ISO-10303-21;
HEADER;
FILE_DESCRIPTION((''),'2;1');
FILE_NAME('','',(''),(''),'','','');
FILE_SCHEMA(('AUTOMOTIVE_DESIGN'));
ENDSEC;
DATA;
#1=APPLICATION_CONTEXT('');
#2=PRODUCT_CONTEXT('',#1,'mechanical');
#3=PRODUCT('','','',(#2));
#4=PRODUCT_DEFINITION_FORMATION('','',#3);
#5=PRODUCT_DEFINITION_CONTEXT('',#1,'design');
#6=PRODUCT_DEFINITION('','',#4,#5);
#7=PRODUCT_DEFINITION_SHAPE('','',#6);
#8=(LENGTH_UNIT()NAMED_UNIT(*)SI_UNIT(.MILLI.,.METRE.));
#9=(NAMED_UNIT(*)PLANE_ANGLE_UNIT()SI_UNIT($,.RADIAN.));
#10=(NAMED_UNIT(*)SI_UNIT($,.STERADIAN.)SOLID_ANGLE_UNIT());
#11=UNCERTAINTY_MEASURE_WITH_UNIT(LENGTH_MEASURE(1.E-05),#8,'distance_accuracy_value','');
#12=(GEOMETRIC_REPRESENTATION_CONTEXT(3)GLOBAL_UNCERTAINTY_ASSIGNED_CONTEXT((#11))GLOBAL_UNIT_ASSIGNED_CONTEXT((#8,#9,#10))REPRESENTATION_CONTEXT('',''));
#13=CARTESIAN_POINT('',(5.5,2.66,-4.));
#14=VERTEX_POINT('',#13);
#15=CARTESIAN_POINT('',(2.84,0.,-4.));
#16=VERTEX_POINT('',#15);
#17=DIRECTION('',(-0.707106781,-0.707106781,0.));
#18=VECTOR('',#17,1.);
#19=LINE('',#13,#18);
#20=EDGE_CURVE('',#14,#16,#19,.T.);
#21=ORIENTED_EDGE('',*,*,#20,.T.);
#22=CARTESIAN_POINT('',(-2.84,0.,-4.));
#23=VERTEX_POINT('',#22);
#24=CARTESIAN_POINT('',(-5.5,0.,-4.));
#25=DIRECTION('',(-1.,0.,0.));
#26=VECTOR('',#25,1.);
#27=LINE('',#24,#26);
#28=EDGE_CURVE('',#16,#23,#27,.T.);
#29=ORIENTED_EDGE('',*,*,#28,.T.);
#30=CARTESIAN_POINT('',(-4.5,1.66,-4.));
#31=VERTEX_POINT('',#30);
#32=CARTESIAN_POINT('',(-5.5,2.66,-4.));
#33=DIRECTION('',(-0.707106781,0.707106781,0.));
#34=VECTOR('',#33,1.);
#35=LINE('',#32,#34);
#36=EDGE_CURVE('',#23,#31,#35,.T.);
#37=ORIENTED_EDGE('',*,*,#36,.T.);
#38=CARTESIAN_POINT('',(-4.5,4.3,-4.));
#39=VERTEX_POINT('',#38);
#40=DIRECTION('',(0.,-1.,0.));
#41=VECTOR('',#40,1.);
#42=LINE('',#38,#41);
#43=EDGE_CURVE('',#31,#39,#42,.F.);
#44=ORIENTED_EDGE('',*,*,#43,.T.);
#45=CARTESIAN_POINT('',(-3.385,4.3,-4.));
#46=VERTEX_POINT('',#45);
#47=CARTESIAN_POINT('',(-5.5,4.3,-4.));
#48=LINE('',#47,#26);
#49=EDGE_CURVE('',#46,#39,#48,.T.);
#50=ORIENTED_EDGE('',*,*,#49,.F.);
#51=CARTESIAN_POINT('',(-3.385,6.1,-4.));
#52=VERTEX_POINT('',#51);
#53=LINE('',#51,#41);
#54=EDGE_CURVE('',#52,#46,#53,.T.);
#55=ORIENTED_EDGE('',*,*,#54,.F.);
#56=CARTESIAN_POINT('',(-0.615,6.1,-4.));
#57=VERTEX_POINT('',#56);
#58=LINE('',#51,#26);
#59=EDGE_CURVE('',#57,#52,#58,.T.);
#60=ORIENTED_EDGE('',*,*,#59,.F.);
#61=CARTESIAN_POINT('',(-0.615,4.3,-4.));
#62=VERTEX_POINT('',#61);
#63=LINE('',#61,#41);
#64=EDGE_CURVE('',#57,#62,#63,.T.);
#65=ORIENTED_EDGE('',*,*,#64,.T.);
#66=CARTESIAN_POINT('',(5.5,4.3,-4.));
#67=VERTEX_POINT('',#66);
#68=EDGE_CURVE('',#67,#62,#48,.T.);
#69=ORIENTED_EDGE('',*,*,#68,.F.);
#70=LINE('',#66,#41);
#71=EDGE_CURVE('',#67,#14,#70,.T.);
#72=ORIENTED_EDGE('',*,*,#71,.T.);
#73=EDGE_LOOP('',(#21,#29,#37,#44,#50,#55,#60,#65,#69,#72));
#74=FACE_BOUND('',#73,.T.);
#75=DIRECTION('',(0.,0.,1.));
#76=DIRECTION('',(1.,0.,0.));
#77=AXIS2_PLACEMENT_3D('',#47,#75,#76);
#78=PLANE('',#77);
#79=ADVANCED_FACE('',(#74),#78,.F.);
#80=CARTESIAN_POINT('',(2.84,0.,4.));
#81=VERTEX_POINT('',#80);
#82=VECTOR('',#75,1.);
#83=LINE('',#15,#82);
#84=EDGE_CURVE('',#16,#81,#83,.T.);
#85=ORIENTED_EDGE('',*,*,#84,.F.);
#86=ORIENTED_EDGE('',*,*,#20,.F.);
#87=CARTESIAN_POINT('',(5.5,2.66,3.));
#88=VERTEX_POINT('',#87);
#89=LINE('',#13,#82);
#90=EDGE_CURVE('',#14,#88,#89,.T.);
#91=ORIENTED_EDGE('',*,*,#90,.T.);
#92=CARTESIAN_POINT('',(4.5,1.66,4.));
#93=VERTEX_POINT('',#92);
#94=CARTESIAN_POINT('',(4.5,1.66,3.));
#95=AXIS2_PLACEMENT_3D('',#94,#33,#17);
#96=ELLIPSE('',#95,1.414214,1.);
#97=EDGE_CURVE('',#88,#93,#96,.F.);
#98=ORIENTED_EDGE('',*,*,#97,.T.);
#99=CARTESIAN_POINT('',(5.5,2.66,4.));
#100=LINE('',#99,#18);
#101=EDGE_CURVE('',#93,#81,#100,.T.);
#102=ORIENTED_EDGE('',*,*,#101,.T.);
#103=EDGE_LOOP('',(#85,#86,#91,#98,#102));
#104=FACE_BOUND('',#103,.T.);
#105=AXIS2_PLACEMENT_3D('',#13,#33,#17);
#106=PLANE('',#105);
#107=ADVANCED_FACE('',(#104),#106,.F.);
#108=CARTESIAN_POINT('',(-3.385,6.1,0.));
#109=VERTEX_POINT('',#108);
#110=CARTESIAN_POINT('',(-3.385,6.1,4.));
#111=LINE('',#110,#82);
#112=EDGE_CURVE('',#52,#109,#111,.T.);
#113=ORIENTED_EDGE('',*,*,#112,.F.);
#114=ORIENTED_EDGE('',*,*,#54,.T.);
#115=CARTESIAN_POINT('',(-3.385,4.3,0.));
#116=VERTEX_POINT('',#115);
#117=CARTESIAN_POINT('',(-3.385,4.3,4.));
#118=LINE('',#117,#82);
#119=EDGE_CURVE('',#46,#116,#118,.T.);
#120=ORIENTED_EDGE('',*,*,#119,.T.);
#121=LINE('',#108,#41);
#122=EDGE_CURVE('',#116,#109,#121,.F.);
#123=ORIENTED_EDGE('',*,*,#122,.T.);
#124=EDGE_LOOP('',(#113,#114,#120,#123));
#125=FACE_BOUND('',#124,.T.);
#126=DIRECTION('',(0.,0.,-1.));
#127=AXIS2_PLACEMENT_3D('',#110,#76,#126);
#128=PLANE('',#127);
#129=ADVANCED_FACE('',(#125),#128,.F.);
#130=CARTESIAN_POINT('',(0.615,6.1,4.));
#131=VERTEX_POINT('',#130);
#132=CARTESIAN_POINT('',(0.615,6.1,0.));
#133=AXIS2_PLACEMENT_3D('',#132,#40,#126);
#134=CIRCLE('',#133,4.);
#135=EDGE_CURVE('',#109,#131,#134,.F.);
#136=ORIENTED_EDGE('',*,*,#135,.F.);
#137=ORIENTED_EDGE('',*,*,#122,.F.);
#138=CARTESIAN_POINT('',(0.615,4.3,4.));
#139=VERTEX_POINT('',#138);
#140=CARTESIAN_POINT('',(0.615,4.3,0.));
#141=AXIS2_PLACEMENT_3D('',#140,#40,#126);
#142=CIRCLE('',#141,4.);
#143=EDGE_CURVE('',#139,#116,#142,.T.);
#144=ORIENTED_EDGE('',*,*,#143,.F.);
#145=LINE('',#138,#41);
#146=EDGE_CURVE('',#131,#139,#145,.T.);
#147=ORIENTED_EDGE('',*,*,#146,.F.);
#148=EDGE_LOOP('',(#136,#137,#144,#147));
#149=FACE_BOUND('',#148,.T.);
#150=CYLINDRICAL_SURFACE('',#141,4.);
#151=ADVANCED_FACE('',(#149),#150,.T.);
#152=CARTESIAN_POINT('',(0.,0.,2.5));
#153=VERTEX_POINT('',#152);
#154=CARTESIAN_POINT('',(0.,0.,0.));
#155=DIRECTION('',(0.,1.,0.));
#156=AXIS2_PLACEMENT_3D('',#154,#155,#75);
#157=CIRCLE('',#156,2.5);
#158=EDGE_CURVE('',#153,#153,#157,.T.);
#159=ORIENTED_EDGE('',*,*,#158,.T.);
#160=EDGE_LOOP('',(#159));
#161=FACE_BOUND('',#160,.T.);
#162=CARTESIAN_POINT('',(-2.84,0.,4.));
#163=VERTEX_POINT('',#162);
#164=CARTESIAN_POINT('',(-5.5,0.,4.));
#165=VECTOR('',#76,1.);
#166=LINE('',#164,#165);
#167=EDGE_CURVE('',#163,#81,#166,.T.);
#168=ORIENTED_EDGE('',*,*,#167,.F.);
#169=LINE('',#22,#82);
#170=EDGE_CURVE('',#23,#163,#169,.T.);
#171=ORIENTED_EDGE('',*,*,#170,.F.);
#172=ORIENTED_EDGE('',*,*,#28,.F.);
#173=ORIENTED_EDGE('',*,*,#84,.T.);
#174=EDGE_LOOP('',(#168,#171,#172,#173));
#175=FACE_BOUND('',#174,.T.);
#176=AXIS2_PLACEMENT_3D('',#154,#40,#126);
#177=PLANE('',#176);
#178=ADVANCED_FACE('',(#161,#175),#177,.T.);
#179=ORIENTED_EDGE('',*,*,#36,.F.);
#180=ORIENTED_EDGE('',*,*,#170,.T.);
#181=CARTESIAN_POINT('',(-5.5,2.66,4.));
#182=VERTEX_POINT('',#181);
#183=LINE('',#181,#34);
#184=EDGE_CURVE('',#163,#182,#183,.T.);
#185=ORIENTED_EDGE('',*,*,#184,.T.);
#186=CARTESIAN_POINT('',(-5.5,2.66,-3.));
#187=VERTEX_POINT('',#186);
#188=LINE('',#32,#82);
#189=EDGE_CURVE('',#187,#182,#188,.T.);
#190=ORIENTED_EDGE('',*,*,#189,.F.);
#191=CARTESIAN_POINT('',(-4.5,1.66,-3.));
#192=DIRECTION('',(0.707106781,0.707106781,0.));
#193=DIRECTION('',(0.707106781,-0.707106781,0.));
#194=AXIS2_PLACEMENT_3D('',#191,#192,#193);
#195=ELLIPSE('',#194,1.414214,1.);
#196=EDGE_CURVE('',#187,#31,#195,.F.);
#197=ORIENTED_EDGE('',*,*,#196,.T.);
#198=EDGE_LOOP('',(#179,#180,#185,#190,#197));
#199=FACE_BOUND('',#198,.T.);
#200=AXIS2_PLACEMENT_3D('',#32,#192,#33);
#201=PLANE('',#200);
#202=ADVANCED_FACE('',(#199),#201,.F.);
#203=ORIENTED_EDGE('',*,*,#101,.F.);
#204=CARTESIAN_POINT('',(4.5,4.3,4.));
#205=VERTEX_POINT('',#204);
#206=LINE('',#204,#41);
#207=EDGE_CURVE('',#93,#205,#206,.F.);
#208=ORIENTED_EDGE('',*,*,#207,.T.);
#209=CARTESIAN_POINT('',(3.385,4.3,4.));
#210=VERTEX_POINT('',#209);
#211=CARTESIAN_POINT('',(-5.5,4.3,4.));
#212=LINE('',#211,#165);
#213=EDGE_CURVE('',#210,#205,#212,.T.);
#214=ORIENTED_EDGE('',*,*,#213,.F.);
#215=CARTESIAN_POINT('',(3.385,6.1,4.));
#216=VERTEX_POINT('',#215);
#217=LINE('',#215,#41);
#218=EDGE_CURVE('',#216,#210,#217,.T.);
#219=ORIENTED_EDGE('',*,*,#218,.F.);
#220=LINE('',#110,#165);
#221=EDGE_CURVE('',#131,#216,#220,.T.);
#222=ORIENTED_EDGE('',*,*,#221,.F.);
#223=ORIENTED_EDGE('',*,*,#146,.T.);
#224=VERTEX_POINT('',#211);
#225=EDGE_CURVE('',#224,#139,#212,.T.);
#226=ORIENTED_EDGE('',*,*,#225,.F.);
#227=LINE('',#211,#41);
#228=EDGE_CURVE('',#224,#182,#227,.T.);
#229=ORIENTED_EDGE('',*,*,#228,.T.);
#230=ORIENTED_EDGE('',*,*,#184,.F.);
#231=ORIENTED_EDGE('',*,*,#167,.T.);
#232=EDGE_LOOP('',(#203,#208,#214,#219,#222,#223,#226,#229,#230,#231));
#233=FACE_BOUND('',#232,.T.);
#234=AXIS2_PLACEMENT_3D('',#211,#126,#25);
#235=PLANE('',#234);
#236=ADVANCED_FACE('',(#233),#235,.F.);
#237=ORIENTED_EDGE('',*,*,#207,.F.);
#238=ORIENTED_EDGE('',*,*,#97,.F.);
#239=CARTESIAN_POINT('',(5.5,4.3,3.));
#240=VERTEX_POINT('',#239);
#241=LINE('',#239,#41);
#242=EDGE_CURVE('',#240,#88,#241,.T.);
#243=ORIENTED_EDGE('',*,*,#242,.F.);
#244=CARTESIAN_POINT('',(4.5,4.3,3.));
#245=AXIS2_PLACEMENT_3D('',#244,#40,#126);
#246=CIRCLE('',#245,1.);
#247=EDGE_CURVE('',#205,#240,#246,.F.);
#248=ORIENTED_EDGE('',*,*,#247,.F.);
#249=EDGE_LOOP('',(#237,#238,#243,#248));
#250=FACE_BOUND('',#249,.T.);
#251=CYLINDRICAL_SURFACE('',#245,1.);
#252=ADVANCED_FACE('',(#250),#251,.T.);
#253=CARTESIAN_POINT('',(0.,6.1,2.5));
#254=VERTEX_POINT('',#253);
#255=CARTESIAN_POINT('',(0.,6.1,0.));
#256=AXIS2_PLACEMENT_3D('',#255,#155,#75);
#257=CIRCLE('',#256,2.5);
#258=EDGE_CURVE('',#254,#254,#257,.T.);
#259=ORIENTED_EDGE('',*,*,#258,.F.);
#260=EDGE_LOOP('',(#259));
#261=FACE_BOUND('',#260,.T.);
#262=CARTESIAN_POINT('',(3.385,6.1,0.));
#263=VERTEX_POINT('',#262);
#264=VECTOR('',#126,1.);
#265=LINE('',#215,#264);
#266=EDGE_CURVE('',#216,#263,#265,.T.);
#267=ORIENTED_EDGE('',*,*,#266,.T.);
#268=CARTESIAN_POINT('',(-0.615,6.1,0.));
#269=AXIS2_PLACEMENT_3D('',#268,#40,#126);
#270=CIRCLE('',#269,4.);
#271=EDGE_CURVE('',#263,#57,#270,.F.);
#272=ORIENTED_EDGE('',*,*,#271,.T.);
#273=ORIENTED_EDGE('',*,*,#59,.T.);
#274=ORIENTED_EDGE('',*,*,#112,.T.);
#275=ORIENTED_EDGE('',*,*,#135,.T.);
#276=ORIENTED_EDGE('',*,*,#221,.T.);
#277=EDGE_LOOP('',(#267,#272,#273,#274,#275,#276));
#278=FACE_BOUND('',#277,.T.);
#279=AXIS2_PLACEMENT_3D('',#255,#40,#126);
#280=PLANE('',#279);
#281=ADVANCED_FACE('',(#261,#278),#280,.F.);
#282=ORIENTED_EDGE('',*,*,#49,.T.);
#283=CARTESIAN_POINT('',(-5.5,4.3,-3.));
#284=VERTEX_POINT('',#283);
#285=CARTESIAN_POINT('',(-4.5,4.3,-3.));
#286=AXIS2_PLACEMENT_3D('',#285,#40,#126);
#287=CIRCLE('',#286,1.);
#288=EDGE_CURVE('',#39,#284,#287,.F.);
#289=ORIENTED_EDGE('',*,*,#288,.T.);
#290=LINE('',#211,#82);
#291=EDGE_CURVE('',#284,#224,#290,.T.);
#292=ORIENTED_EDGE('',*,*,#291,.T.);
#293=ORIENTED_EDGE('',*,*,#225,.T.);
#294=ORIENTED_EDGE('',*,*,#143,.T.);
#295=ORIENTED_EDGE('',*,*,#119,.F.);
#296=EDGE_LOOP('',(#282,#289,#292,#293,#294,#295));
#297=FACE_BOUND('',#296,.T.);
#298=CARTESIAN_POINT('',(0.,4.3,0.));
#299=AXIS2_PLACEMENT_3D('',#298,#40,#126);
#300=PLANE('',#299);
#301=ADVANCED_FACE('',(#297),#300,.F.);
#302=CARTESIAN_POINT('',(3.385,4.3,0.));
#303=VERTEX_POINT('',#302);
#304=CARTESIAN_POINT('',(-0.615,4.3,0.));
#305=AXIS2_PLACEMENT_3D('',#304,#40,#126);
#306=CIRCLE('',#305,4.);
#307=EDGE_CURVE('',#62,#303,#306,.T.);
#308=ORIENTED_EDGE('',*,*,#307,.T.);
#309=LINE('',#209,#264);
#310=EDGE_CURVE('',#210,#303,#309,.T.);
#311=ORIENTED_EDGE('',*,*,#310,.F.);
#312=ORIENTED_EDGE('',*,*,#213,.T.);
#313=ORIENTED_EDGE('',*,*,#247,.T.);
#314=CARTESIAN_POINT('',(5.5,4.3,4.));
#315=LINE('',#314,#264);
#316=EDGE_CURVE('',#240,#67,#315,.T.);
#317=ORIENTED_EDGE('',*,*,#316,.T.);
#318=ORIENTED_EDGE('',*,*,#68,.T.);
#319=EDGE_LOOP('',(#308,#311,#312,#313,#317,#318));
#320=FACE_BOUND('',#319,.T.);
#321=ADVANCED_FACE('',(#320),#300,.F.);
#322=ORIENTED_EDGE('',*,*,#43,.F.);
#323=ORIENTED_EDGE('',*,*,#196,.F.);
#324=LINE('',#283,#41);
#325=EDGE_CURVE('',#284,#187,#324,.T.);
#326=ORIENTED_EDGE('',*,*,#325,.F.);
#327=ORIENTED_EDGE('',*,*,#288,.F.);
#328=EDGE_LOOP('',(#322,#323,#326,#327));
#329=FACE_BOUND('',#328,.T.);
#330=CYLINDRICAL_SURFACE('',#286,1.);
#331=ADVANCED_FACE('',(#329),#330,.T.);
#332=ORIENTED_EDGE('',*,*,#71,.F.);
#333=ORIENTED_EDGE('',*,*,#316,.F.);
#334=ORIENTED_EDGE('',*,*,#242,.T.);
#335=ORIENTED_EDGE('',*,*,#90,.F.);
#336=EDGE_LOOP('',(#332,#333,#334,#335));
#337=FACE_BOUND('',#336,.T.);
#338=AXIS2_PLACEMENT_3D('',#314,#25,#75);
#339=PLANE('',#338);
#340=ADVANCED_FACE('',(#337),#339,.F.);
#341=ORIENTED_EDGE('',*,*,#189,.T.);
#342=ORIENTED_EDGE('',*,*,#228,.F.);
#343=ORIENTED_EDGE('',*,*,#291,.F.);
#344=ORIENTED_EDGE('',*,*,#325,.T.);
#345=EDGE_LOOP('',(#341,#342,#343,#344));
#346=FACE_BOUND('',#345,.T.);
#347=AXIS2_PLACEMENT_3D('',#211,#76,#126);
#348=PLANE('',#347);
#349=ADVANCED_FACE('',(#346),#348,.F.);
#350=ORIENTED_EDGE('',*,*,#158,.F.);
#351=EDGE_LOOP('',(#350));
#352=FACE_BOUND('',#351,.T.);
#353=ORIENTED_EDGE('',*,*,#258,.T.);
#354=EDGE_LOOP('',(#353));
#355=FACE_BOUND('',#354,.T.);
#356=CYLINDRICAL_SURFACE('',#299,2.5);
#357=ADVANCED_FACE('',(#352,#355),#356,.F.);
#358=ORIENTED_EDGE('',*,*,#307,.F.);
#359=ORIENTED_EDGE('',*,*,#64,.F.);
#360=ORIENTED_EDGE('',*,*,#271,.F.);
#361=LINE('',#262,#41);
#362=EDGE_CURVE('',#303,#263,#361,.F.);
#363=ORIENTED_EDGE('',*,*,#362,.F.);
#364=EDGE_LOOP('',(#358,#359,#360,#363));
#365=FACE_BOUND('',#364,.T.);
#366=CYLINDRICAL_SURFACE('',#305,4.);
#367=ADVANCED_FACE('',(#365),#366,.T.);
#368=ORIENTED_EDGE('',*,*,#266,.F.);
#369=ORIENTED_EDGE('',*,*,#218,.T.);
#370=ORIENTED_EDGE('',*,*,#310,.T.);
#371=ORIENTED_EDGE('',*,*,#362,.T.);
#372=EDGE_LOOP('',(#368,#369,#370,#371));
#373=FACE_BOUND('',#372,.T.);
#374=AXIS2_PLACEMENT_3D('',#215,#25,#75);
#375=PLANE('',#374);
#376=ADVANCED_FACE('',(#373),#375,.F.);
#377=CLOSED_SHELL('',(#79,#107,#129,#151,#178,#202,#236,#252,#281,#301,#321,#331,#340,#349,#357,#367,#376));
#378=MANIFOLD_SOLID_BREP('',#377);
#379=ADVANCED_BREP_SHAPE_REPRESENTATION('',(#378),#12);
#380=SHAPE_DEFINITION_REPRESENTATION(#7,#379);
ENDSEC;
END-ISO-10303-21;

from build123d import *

# Parameters (mm, degrees)
SKETCH1_W           = 11
SKETCH1_H           = 8
SKETCH1_R           = 2.5
BOSS_EXTRUDE1_DEPTH = 4.3
CUT_EXTRUDE1_DEPTH  = 9
SKETCH3_W           = 6.77
SKETCH3_H           = 8
SKETCH3_R           = 2.5
BOSS_EXTRUDE2_DEPTH = 1.8
FILLET1_R           = 4
FILLET2_R           = 1


with BuildPart() as part:
    # Sketch1 → Boss-Extrude1 (new body)
    with BuildSketch(Plane(origin=(0, 0, 0), x_dir=(1, 0, 0), z_dir=(0, 1, 0))):
        Rectangle(SKETCH1_W, SKETCH1_H)
        Circle(SKETCH1_R, mode=Mode.SUBTRACT)
    extrude(amount=BOSS_EXTRUDE1_DEPTH)

    # Sketch2 → Cut-Extrude1 (cut, through all)
    with BuildSketch(Plane.XY.offset(4)):
        Polygon((-5.5, 2.66), (-2.84, 0), (-5.5, 0), align=None)
        Polygon((5.5, 2.66), (5.5, 0), (2.84, 0), align=None)
    extrude(amount=-CUT_EXTRUDE1_DEPTH, mode=Mode.SUBTRACT)

    # Sketch3 → Boss-Extrude2 (add)
    with BuildSketch(Plane(origin=(0, 4.3, 0), x_dir=(1, 0, 0), z_dir=(0, 1, 0))):
        Rectangle(SKETCH3_W, SKETCH3_H)
        Circle(SKETCH3_R, mode=Mode.SUBTRACT)
    extrude(amount=BOSS_EXTRUDE2_DEPTH)

    # Fillet1
    fillet1_edges = [part.edges().sort_by_distance(p)[0] for p in [
        (3.385, 5.2, -4),
        (-3.385, 5.2, 4),
    ]]
    fillet(fillet1_edges, radius=FILLET1_R)

    # Fillet2
    fillet2_edges = [part.edges().sort_by_distance(p)[0] for p in [
        (5.5, 3.48, 4),
        (-5.5, 3.48, -4),
    ]]
    fillet(fillet2_edges, radius=FILLET2_R)


solid = part.part
